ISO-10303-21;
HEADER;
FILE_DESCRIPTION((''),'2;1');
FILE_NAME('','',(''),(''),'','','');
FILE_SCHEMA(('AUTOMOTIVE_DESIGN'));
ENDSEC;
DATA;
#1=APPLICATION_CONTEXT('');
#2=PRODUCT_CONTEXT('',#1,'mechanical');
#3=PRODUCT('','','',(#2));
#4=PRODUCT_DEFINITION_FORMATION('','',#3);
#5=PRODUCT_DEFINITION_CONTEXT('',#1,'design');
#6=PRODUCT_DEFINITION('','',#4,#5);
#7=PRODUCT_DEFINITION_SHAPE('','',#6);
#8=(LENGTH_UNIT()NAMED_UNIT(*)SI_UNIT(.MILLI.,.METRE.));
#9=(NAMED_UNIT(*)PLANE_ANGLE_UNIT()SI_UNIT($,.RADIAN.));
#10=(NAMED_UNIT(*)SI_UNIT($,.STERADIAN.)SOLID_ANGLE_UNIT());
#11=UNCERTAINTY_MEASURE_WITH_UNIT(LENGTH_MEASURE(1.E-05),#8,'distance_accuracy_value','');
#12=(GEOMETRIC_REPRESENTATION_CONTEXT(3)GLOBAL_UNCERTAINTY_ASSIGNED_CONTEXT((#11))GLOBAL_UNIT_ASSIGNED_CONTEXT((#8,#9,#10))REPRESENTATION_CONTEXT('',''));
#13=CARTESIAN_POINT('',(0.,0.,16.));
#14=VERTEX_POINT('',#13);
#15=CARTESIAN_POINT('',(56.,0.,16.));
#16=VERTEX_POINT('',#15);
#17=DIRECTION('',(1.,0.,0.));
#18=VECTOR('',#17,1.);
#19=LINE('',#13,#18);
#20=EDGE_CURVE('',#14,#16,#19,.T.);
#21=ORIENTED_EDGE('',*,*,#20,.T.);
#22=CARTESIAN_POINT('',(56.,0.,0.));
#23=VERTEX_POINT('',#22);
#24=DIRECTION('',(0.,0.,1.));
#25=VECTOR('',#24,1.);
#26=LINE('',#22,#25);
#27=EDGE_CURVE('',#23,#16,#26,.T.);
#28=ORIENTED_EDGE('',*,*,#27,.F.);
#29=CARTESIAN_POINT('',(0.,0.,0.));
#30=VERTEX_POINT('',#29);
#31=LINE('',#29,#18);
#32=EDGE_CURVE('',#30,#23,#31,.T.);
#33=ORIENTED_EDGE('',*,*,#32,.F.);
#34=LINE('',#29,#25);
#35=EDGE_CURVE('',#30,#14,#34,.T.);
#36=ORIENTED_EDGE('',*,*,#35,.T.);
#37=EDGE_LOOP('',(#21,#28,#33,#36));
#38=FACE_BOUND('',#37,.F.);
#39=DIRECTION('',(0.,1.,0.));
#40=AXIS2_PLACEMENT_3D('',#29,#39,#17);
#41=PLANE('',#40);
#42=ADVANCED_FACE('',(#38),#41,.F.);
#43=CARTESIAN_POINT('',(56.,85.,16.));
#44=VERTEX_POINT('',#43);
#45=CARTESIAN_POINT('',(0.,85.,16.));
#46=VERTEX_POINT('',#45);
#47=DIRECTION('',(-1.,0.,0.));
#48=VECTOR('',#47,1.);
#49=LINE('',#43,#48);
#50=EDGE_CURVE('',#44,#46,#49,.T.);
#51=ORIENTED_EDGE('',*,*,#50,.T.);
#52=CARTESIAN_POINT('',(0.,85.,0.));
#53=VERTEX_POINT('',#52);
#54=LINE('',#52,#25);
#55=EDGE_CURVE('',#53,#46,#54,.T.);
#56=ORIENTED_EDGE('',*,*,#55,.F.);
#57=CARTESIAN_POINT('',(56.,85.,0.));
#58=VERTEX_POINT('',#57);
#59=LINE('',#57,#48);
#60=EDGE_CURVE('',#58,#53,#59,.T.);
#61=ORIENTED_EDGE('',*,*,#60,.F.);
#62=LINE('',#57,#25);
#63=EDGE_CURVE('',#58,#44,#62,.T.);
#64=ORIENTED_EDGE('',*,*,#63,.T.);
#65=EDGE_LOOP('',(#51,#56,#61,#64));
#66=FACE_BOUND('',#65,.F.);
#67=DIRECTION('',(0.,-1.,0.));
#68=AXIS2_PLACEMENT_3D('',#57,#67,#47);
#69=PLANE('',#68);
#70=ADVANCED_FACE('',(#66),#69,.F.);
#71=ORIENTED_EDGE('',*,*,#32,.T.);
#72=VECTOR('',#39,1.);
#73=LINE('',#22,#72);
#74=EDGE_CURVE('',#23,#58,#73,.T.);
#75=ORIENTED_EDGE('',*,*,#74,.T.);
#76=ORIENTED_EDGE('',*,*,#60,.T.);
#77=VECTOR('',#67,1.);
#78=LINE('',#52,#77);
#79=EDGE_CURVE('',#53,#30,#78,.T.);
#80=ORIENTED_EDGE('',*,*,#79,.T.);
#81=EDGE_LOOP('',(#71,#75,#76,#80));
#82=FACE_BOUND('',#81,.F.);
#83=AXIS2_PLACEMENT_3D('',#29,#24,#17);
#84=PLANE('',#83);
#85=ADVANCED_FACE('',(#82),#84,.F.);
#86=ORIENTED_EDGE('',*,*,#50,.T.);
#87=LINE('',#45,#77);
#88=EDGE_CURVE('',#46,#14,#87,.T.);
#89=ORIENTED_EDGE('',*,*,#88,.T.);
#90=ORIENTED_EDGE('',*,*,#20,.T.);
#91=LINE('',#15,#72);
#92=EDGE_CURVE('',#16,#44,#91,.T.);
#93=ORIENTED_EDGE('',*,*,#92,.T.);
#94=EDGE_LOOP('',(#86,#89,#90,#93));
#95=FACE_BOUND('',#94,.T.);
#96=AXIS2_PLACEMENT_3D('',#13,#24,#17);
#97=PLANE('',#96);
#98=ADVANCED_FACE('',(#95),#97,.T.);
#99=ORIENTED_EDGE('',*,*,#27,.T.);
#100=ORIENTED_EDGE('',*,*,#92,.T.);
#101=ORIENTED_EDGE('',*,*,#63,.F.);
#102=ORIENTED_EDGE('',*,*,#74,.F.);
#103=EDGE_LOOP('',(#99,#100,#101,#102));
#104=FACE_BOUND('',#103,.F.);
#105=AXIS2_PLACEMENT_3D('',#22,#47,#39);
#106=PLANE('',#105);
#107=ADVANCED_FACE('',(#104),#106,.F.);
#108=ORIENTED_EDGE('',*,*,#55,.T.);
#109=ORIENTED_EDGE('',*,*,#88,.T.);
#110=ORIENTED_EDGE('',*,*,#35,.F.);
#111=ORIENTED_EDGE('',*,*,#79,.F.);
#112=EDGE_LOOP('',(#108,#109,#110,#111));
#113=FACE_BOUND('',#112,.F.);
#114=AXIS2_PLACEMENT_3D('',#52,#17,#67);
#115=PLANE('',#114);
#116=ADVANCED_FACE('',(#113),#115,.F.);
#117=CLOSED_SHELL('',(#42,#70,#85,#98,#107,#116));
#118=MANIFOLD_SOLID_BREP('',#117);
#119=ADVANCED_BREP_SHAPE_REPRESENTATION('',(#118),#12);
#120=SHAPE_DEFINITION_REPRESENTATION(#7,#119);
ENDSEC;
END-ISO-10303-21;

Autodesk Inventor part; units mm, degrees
ref_plane "YZ Plane" through (0, 0, 0) normal (1, 0, 0) x (0, 1, 0)
ref_plane "XZ Plane" through (0, 0, 0) normal (0, 1, 0) x (-1, 0, 0)
ref_plane "XY Plane" through (0, 0, 0) normal (0, 0, 1) x (1, 0, 0)
sketch "Sketch1" plane through (0, 0, 0) normal (0, 0, 1) x (1, 0, 0)
  line L0 (0, 0) -> (56, 0)
  line L1 (56, 0) -> (56, 85)
  line L2 (56, 85) -> (0, 85)
  line L3 (0, 85) -> (0, 0)
  dimension "d0" = 56
  dimension "d1" = 85
extrude "Extrusion1" add sketch "Sketch1" along normal blind 16
properties part number "RaspberryPi"
